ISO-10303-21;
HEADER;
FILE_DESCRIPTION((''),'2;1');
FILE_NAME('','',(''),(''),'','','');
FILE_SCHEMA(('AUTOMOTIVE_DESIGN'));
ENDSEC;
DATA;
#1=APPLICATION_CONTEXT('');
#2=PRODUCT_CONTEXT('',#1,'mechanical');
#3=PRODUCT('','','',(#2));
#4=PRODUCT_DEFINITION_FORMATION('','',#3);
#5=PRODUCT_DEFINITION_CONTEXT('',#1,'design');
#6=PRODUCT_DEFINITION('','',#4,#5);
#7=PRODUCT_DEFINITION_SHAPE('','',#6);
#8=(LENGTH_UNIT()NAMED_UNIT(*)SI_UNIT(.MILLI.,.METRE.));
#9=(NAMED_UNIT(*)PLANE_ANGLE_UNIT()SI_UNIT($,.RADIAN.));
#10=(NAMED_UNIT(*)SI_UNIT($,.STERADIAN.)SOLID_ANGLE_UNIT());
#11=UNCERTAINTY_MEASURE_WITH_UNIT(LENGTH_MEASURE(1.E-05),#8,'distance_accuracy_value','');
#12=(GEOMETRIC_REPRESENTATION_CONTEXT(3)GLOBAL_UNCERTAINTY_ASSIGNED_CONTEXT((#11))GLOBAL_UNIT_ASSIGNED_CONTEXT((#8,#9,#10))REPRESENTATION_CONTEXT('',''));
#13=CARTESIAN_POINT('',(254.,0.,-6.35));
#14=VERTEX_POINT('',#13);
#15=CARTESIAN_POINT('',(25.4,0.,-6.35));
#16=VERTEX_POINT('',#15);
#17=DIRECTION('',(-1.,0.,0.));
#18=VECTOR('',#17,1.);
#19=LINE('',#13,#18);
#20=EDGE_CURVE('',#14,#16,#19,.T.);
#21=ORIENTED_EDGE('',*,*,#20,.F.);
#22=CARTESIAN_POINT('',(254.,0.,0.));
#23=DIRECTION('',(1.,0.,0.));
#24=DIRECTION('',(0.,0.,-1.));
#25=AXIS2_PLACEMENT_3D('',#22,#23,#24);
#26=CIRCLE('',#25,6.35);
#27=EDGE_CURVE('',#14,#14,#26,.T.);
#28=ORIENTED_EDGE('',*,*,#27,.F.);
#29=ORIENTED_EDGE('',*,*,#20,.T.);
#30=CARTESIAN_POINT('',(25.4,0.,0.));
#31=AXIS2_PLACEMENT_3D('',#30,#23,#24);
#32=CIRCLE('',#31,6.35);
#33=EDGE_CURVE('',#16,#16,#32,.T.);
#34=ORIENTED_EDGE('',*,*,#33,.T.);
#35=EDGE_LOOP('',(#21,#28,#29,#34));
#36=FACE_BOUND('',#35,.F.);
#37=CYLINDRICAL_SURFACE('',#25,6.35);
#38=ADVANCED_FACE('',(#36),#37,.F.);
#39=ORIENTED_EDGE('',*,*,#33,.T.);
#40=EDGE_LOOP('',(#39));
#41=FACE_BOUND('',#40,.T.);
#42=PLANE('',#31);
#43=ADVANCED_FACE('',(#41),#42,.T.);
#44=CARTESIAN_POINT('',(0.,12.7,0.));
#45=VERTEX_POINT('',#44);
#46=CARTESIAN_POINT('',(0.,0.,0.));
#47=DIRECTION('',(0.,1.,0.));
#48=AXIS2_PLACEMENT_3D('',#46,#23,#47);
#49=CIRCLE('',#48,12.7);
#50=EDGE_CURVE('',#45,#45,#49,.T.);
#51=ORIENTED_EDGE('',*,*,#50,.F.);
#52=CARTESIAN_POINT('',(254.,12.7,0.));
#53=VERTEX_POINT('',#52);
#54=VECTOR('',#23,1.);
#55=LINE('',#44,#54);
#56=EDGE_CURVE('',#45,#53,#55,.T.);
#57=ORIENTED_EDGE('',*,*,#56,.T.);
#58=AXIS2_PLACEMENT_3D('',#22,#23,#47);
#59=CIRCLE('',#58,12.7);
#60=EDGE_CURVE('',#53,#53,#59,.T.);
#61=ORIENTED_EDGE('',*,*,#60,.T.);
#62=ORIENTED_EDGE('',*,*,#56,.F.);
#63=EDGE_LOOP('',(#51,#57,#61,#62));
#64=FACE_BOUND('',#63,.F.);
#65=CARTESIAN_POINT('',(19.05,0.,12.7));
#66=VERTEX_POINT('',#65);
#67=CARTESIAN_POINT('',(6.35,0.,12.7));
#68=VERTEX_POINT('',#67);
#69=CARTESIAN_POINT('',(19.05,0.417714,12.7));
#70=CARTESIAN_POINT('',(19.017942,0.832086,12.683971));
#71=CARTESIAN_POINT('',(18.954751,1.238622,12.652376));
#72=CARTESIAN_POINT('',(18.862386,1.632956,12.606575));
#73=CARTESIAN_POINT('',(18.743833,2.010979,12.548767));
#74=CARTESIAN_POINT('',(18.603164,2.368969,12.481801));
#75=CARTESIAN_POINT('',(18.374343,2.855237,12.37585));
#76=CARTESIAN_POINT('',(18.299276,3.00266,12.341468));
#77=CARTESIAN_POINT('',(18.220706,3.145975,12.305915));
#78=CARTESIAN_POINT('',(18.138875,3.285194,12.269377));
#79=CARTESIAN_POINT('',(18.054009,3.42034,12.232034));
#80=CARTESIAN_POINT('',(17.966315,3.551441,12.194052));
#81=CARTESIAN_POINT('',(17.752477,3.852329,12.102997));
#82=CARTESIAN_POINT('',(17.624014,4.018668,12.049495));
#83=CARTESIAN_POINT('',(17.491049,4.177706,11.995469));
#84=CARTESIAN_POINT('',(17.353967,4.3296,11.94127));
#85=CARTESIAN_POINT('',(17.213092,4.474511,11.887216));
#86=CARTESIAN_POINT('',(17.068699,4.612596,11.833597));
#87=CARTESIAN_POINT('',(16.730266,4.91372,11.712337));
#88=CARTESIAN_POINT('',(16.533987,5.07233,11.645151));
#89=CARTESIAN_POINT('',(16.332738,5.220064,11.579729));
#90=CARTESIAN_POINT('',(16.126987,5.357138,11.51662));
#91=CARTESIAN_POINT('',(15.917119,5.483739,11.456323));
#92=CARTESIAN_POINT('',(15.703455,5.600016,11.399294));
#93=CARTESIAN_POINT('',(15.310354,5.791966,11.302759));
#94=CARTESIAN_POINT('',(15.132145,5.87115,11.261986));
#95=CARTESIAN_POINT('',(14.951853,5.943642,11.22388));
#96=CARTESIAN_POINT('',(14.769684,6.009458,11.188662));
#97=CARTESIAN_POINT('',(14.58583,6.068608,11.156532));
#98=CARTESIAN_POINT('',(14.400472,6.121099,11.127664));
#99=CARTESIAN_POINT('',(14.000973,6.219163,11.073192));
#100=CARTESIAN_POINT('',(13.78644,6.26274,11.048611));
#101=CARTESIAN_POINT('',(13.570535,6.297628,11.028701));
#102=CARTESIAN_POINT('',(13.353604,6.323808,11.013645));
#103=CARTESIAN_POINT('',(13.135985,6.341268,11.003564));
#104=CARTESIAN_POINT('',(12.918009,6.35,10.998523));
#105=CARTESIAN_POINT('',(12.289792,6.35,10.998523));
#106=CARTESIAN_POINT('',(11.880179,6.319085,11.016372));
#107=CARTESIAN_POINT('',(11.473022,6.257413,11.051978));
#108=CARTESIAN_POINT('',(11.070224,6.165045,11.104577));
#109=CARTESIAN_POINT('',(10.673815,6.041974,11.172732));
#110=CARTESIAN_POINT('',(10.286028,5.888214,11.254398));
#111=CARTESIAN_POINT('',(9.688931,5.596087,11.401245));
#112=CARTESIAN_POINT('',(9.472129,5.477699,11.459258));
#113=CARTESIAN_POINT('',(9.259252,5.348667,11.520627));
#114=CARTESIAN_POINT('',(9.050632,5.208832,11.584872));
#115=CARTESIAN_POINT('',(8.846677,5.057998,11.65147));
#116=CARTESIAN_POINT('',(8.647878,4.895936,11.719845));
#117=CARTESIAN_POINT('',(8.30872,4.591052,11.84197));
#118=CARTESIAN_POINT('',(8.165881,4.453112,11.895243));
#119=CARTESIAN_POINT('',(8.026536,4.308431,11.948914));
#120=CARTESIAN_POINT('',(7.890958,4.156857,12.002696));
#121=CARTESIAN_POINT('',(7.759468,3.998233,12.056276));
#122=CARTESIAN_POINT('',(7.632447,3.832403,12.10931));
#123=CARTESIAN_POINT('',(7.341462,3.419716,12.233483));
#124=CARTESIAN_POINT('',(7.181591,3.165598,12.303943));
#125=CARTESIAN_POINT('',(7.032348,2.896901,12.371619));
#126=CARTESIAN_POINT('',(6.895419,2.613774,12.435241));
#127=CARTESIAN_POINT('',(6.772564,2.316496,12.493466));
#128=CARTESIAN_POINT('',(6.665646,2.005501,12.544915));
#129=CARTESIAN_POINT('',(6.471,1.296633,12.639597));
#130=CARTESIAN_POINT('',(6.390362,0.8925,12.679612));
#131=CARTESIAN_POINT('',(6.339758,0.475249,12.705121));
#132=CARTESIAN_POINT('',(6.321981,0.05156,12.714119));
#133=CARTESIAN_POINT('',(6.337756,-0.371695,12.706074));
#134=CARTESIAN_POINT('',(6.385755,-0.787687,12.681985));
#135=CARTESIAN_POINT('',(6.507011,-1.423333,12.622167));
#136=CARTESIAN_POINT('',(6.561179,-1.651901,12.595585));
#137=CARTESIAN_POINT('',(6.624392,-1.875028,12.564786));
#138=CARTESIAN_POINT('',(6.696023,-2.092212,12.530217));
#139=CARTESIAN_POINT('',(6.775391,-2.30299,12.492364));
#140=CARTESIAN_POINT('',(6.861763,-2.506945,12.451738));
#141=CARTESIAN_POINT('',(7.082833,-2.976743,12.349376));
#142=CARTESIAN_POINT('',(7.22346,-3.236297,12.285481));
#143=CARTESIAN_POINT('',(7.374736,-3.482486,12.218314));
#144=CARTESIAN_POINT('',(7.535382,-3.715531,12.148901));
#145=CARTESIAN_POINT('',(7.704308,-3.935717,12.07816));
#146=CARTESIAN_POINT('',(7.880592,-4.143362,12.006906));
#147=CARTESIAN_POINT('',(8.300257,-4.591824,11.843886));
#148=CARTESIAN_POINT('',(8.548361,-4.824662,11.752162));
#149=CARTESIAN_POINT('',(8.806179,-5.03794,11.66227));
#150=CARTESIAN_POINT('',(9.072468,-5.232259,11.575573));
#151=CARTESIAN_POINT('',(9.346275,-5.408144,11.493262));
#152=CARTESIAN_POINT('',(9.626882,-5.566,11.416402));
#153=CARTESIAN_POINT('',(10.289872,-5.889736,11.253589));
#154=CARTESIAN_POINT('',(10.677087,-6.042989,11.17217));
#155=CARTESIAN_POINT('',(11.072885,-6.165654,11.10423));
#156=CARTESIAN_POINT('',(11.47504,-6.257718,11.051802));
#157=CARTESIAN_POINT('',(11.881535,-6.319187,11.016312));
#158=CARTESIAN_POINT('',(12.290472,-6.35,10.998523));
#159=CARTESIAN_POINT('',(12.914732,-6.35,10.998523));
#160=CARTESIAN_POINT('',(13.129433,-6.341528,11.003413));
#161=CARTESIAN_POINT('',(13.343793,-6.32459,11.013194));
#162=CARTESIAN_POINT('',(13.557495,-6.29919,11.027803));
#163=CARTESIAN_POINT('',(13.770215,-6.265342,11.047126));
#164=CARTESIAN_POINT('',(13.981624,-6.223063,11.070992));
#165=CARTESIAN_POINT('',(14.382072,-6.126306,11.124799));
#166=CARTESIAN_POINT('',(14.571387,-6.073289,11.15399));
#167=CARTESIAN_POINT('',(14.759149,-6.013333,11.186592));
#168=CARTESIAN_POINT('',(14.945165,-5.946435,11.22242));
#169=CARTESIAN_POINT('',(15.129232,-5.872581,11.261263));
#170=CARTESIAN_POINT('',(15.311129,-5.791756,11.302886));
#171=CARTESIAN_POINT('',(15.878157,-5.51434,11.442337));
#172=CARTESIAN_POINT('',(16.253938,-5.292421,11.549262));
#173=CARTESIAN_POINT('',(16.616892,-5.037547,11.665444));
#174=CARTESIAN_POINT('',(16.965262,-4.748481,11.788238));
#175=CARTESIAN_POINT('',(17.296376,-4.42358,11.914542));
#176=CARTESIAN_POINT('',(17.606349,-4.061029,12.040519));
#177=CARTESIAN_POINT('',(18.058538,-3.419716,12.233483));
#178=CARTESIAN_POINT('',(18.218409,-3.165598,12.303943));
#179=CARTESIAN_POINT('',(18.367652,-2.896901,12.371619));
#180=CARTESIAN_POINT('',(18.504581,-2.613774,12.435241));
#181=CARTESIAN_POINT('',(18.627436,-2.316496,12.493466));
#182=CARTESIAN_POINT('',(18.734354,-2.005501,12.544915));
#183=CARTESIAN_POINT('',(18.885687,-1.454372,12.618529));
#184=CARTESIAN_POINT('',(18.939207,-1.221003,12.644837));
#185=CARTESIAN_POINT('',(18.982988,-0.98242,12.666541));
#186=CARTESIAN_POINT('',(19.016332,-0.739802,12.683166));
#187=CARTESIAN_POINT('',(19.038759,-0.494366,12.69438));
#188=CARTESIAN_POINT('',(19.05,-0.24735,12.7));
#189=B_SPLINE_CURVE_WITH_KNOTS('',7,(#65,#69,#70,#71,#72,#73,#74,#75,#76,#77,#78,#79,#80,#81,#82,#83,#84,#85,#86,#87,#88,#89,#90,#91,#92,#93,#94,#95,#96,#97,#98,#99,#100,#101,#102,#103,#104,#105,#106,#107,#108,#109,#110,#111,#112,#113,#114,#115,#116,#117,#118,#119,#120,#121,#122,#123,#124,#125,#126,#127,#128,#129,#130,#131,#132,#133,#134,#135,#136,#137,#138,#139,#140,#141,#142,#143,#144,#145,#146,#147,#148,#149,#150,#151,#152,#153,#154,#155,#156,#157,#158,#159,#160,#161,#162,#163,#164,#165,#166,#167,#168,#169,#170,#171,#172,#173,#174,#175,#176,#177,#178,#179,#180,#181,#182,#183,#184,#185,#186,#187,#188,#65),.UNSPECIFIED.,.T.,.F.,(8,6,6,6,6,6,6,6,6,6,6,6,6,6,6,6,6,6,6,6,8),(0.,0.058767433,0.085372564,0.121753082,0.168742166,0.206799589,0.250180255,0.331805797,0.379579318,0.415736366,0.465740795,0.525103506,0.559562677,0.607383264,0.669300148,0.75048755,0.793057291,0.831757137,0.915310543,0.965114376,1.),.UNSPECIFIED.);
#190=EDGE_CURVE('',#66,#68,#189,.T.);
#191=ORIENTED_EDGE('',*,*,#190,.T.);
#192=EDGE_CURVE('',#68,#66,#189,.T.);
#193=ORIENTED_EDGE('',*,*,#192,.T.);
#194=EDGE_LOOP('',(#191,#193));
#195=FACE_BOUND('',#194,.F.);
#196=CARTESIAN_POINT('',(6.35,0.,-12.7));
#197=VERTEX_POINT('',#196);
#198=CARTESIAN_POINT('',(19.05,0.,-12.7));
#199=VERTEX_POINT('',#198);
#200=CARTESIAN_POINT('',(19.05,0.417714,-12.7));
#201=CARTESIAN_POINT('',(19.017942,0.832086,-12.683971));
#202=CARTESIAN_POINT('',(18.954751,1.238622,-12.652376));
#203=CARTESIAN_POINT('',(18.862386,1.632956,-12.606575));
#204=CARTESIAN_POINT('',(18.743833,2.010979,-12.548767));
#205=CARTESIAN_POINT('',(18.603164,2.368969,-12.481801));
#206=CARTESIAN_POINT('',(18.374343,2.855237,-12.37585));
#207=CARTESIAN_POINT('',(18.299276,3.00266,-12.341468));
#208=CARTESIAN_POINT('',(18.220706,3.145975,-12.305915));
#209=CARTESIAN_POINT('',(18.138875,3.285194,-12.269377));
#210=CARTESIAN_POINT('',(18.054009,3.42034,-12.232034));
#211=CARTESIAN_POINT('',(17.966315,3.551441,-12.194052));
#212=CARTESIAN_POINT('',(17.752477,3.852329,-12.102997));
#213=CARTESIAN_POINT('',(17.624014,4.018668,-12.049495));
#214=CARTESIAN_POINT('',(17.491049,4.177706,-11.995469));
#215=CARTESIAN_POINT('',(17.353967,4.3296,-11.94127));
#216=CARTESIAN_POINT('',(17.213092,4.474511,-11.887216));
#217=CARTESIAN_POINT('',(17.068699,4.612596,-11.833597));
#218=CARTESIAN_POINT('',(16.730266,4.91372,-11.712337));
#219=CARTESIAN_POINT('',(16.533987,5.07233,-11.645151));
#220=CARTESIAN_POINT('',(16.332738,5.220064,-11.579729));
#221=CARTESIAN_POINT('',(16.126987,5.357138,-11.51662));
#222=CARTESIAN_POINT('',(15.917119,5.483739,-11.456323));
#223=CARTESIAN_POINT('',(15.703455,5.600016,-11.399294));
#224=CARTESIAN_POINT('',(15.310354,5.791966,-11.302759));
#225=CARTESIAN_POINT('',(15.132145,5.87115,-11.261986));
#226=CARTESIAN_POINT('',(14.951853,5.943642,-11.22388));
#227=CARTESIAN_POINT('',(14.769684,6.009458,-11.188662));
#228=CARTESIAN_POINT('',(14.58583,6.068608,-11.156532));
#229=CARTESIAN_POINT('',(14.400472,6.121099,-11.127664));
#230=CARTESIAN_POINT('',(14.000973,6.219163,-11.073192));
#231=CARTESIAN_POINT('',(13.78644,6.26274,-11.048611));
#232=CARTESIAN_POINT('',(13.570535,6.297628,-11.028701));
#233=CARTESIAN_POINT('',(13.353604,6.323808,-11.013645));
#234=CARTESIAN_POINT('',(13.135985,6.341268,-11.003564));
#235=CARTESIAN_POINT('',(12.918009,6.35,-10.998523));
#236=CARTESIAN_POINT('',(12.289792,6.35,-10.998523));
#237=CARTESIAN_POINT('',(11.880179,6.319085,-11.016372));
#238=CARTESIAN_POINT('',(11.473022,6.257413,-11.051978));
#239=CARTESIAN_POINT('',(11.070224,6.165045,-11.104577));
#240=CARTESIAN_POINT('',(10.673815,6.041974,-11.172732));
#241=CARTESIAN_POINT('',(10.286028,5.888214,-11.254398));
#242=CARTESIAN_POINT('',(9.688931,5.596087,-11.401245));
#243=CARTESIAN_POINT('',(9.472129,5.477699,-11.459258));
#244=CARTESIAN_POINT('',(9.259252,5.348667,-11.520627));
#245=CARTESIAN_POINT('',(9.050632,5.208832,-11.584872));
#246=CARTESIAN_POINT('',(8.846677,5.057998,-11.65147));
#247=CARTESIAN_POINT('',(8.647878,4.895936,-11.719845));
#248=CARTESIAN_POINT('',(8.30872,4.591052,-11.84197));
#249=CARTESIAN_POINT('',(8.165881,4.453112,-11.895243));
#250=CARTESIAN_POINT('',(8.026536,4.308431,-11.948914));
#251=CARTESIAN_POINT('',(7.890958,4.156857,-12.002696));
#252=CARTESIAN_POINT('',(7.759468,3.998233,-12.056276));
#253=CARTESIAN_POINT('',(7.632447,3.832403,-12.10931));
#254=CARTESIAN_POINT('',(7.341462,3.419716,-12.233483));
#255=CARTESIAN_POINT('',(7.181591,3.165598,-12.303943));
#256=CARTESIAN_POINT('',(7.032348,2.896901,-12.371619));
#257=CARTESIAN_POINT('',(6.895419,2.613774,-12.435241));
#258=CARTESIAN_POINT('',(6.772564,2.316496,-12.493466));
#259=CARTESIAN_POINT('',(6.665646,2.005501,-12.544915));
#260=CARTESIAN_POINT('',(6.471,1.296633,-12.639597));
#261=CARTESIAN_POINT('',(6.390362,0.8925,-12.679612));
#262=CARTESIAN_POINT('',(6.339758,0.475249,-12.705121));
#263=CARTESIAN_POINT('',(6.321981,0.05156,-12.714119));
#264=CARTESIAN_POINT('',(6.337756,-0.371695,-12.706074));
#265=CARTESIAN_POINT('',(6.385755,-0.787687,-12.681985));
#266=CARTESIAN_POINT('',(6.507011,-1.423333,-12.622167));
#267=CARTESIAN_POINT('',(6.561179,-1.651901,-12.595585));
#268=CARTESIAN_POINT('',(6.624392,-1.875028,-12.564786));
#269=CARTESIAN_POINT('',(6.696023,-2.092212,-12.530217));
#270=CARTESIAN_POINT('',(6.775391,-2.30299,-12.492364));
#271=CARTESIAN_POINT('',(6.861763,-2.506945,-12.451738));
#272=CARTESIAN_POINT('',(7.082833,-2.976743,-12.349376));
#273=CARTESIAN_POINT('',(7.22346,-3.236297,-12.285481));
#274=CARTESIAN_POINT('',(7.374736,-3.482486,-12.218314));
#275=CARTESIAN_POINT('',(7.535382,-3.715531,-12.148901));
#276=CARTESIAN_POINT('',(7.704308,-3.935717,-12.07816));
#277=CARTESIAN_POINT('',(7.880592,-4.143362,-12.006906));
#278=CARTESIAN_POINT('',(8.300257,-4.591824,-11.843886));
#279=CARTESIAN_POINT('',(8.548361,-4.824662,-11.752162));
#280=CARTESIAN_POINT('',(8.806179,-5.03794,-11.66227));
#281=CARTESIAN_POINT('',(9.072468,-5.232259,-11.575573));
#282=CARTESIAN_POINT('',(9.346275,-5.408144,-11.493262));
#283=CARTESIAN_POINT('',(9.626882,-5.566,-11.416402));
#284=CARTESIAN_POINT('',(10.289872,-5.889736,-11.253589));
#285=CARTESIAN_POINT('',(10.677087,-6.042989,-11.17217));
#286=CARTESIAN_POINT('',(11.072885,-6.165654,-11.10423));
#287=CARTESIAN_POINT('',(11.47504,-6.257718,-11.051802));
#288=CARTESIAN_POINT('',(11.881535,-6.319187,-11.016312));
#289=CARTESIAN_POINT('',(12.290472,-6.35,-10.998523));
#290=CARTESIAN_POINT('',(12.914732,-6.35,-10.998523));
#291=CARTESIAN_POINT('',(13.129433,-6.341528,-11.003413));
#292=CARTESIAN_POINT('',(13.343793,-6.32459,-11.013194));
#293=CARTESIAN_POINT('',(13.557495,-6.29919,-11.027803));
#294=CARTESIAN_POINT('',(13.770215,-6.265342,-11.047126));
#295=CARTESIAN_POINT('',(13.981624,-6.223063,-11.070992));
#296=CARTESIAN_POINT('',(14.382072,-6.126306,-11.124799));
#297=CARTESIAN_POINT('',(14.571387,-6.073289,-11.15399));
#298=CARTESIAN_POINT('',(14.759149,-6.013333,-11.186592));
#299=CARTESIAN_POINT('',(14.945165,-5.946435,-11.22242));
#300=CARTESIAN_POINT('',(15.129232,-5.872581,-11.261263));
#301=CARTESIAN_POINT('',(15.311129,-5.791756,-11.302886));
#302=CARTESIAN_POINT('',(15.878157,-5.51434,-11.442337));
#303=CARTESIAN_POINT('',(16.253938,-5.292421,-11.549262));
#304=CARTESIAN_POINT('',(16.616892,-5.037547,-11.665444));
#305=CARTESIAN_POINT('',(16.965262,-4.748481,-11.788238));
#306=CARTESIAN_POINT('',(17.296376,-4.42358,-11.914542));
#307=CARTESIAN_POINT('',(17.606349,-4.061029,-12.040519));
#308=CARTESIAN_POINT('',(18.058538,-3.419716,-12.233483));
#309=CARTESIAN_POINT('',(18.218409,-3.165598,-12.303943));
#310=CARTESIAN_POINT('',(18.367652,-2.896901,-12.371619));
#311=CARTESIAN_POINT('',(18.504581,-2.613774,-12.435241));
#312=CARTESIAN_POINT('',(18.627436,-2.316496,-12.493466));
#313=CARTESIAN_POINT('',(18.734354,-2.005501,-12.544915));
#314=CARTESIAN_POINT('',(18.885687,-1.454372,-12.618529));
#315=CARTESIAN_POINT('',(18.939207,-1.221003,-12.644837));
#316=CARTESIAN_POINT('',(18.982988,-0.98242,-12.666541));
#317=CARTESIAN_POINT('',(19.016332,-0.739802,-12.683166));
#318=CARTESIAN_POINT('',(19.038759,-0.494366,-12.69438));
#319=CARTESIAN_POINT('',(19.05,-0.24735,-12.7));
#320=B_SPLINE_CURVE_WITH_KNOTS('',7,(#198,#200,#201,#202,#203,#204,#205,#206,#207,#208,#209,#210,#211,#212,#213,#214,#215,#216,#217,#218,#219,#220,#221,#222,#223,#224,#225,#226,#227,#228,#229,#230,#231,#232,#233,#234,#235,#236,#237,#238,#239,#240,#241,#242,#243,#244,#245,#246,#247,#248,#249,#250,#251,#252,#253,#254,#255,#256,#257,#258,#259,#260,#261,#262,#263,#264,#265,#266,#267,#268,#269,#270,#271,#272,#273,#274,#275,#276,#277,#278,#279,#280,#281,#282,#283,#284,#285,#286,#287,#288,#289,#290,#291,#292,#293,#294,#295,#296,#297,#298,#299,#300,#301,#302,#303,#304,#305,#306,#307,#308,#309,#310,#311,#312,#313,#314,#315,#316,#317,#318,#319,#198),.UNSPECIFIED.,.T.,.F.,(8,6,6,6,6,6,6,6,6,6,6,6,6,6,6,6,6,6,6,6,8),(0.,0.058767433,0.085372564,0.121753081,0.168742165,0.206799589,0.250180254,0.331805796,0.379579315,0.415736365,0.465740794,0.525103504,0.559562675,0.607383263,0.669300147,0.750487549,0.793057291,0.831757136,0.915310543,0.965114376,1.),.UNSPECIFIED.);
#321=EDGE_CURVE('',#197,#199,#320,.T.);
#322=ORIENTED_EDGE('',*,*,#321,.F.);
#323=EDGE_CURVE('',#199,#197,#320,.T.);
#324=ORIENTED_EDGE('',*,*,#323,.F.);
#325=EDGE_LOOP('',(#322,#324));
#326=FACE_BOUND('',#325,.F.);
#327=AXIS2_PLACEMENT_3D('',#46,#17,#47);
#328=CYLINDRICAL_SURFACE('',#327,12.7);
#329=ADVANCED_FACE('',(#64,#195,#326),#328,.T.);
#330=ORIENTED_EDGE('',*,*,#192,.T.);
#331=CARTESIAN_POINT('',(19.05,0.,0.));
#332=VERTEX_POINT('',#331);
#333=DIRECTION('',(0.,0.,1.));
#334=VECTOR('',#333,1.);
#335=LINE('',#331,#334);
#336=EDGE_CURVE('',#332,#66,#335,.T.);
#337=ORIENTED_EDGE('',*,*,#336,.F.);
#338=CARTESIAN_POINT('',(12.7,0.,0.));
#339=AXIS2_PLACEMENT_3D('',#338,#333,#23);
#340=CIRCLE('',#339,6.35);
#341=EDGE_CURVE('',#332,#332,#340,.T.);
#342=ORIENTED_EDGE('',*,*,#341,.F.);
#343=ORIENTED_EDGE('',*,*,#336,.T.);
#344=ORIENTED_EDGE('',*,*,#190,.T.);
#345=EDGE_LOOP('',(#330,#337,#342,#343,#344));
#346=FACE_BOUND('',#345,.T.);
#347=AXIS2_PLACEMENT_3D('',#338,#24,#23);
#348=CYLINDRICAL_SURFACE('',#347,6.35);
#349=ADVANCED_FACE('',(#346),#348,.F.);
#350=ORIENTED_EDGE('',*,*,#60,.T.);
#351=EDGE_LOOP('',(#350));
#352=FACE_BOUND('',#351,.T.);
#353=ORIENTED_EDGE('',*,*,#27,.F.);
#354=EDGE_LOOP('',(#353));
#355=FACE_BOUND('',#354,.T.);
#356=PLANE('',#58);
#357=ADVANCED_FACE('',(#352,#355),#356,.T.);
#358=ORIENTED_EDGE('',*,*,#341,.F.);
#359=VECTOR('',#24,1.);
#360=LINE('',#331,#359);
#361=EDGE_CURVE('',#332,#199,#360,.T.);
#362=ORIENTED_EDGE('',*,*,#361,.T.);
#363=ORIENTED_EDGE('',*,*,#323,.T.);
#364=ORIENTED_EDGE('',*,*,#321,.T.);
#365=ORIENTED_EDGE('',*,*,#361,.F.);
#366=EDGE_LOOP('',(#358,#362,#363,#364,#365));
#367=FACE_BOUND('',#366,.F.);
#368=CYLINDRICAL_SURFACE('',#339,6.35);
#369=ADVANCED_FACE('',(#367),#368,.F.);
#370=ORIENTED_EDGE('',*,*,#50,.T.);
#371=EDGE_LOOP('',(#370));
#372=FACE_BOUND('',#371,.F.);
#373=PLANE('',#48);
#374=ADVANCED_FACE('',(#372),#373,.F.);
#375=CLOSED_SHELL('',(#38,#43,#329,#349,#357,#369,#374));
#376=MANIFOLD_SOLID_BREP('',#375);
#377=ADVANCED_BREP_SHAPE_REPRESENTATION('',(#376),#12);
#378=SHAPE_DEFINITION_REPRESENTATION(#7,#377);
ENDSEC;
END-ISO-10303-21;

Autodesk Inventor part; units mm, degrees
ref_plane "YZ Plane" through (0, 0, 0) normal (1, 0, 0) x (0, 1, 0)
ref_plane "XZ Plane" through (0, 0, 0) normal (0, 1, 0) x (-1, 0, 0)
ref_plane "XY Plane" through (0, 0, 0) normal (0, 0, 1) x (1, 0, 0)
sketch "Sketch1" plane through (0, 0, 0) normal (1, 0, 0) x (0, 1, 0)
  circle A0 centre (0, 0) radius 12.7
  dimension "d0" = 25.4
extrude "Extrusion1" add sketch "Sketch1" along normal blind 254
sketch "Sketch2" plane through (0, 0, 0) normal (0, 0, 1) x (1, 0, 0)
  circle A0 centre (12.7, 0) radius 6.35
  line L0 (0, 12.7) -> (0, -12.7) projected
  dimension "d3" = 12.7
  dimension "d4" = 12.7
extrude "Extrusion2" cut sketch "Sketch2" along normal mid plane 25.4
sketch "Sketch3" plane through (254, 0, 0) normal (1, 0, 0) x (0, 0, -1)
  circle A0 centre (0, 0) radius 6.35
  dimension "d7" = 12.7
extrude "Extrusion3" cut sketch "Sketch3" against normal blind 228.6
properties material "Aluminum 6061"
